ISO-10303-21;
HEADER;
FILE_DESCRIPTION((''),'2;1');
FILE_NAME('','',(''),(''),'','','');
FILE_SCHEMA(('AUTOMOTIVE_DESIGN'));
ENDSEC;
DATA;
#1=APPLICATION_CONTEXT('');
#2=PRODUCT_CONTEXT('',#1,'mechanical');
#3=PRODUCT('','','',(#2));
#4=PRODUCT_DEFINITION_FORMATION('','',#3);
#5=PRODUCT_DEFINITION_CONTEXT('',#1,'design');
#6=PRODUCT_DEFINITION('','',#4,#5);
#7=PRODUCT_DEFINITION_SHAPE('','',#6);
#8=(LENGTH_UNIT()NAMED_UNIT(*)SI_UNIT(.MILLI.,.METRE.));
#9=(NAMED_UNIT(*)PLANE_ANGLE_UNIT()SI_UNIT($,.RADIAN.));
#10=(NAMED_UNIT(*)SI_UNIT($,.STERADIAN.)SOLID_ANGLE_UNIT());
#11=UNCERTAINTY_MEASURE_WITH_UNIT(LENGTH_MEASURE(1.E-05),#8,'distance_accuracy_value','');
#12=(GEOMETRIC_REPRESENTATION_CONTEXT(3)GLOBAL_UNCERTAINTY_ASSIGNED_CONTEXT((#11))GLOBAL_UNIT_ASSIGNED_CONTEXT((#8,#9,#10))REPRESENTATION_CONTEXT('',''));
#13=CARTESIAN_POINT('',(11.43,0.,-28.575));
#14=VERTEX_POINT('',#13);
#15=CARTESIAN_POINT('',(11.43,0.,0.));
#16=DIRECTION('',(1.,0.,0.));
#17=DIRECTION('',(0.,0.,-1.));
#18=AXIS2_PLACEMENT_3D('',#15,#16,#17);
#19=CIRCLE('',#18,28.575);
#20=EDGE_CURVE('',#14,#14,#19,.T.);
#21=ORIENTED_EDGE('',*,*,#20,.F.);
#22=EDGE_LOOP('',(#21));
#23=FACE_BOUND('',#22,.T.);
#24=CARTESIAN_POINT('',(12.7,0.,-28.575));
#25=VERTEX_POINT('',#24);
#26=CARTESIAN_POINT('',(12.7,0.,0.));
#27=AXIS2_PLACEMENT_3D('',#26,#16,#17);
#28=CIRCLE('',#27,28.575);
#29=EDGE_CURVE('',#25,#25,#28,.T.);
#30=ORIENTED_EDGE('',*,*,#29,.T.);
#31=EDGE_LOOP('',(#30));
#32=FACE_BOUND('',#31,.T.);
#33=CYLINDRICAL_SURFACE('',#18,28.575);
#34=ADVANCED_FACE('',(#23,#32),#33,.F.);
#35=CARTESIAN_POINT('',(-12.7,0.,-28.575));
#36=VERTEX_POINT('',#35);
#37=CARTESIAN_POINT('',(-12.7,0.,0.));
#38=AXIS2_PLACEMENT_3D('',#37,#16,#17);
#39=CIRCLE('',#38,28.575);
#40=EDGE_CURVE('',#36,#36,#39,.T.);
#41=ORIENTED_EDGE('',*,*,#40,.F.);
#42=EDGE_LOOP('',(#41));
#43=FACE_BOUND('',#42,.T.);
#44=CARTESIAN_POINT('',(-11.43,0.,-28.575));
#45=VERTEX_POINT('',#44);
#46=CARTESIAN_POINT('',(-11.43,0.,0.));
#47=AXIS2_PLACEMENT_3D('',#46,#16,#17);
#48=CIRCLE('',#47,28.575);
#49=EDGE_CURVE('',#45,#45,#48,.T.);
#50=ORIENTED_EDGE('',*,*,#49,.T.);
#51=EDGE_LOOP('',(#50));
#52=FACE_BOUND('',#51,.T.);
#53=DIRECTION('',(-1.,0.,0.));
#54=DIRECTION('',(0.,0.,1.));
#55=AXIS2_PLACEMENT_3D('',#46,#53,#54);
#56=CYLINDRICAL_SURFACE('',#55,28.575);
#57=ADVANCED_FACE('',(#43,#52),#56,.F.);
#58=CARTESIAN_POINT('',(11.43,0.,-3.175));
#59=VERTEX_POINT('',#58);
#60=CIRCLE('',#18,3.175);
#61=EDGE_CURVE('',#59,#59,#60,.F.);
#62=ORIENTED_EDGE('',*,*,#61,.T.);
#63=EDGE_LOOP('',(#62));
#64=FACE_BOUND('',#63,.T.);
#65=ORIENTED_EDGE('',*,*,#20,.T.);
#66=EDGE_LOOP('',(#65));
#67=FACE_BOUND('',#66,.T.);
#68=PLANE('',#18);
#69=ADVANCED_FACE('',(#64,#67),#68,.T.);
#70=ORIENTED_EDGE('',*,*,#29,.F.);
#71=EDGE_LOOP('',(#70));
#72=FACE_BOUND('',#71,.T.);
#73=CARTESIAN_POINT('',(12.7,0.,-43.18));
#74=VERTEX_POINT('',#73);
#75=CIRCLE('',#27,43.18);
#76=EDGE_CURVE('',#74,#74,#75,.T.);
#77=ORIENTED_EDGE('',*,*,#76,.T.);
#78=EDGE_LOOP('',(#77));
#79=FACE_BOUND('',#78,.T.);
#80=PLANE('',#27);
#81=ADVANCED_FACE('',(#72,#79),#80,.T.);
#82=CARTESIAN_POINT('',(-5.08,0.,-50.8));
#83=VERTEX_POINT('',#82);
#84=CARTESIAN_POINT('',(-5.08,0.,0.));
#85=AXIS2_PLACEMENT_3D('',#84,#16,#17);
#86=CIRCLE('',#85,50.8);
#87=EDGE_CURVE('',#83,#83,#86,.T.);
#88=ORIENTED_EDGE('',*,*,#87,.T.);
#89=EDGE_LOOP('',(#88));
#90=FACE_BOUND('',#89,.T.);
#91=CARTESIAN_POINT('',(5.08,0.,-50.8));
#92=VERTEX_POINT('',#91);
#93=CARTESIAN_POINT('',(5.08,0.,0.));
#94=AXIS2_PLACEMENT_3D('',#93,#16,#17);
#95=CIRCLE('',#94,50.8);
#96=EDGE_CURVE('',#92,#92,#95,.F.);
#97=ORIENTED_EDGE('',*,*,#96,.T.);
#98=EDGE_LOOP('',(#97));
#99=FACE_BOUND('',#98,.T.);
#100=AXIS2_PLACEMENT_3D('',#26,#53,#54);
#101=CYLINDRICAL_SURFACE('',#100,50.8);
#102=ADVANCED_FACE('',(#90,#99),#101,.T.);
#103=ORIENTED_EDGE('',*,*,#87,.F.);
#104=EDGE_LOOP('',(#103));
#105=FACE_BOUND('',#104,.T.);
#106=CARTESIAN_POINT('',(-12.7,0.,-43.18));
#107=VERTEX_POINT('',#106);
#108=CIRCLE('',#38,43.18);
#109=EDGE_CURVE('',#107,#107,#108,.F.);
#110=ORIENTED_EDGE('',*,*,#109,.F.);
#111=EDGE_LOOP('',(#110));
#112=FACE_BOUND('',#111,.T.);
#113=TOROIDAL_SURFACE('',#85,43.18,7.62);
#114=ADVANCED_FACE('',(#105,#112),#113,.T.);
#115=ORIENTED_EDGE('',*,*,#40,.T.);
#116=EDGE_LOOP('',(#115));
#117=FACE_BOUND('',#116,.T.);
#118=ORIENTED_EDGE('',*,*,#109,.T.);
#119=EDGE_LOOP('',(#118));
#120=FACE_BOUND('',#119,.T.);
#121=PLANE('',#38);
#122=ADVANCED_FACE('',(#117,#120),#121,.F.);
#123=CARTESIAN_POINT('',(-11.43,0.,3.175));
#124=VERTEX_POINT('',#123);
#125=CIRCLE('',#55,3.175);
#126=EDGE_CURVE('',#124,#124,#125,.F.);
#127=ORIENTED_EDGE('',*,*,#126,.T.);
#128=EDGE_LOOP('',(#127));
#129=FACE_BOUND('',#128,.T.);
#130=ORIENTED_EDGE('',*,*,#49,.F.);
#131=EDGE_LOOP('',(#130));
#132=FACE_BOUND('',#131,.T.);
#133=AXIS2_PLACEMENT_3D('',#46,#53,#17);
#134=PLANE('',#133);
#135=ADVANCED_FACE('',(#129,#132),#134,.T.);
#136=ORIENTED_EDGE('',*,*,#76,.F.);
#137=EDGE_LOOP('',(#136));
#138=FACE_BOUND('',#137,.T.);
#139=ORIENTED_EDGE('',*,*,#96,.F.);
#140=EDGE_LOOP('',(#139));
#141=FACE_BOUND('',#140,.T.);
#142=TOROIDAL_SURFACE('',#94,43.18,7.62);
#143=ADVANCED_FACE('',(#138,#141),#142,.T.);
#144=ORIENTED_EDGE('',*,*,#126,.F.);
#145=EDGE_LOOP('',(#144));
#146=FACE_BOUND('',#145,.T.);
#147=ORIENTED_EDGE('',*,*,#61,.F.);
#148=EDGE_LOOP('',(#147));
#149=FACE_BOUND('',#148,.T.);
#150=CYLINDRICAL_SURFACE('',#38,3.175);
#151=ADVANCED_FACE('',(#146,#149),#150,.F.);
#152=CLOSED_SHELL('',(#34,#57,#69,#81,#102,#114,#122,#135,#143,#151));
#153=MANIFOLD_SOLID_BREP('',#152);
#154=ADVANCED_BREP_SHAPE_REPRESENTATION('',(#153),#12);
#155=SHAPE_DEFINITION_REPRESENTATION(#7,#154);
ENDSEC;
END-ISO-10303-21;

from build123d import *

# Parameters (mm, degrees)
SKETCH1_R           = 50.8
BOSS_EXTRUDE1_DEPTH = 12.7
SKETCH2_R           = 3.175
CUT_EXTRUDE1_DEPTH  = 77.2
FILLET1_R           = 7.62
SKETCH3_R           = 28.575
CUT_EXTRUDE2_DEPTH  = 1.27


with BuildPart() as part:
    # Sketch1 → Boss-Extrude1 (new, symmetric)
    with BuildSketch(Plane(origin=(0, 0, 0), x_dir=(0, 0, -1), z_dir=(1, 0, 0))):
        Circle(SKETCH1_R)
    extrude(amount=BOSS_EXTRUDE1_DEPTH, both=True)

    # Sketch2 → Cut-Extrude1 (cut, through all)
    with BuildSketch(Plane(origin=(12.7, 0, 0), x_dir=(0, 0, -1), z_dir=(1, 0, 0))):
        Circle(SKETCH2_R)
    extrude(amount=-CUT_EXTRUDE1_DEPTH, mode=Mode.SUBTRACT)

    # Fillet1
    fillet1_edges = [part.edges().sort_by_distance(p)[0] for p in [
        (-12.7, 0, 50.8),
        (12.7, 0, 50.8),
    ]]
    fillet(fillet1_edges, radius=FILLET1_R)

    # Sketch3 → Cut-Extrude2 (cut)
    with BuildSketch(Plane(origin=(12.7, 0, 0), x_dir=(0, 0, -1), z_dir=(1, 0, 0))):
        Circle(SKETCH3_R)
    cut_extrude2 = extrude(amount=-CUT_EXTRUDE2_DEPTH, mode=Mode.SUBTRACT)

    # Mirror1: Cut-Extrude2 across plane
    add(cut_extrude2.mirror(Plane(origin=(0, 0, 0), x_dir=(0, 0, 1), z_dir=(1, 0, 0))), mode=Mode.SUBTRACT)


solid = part.part
